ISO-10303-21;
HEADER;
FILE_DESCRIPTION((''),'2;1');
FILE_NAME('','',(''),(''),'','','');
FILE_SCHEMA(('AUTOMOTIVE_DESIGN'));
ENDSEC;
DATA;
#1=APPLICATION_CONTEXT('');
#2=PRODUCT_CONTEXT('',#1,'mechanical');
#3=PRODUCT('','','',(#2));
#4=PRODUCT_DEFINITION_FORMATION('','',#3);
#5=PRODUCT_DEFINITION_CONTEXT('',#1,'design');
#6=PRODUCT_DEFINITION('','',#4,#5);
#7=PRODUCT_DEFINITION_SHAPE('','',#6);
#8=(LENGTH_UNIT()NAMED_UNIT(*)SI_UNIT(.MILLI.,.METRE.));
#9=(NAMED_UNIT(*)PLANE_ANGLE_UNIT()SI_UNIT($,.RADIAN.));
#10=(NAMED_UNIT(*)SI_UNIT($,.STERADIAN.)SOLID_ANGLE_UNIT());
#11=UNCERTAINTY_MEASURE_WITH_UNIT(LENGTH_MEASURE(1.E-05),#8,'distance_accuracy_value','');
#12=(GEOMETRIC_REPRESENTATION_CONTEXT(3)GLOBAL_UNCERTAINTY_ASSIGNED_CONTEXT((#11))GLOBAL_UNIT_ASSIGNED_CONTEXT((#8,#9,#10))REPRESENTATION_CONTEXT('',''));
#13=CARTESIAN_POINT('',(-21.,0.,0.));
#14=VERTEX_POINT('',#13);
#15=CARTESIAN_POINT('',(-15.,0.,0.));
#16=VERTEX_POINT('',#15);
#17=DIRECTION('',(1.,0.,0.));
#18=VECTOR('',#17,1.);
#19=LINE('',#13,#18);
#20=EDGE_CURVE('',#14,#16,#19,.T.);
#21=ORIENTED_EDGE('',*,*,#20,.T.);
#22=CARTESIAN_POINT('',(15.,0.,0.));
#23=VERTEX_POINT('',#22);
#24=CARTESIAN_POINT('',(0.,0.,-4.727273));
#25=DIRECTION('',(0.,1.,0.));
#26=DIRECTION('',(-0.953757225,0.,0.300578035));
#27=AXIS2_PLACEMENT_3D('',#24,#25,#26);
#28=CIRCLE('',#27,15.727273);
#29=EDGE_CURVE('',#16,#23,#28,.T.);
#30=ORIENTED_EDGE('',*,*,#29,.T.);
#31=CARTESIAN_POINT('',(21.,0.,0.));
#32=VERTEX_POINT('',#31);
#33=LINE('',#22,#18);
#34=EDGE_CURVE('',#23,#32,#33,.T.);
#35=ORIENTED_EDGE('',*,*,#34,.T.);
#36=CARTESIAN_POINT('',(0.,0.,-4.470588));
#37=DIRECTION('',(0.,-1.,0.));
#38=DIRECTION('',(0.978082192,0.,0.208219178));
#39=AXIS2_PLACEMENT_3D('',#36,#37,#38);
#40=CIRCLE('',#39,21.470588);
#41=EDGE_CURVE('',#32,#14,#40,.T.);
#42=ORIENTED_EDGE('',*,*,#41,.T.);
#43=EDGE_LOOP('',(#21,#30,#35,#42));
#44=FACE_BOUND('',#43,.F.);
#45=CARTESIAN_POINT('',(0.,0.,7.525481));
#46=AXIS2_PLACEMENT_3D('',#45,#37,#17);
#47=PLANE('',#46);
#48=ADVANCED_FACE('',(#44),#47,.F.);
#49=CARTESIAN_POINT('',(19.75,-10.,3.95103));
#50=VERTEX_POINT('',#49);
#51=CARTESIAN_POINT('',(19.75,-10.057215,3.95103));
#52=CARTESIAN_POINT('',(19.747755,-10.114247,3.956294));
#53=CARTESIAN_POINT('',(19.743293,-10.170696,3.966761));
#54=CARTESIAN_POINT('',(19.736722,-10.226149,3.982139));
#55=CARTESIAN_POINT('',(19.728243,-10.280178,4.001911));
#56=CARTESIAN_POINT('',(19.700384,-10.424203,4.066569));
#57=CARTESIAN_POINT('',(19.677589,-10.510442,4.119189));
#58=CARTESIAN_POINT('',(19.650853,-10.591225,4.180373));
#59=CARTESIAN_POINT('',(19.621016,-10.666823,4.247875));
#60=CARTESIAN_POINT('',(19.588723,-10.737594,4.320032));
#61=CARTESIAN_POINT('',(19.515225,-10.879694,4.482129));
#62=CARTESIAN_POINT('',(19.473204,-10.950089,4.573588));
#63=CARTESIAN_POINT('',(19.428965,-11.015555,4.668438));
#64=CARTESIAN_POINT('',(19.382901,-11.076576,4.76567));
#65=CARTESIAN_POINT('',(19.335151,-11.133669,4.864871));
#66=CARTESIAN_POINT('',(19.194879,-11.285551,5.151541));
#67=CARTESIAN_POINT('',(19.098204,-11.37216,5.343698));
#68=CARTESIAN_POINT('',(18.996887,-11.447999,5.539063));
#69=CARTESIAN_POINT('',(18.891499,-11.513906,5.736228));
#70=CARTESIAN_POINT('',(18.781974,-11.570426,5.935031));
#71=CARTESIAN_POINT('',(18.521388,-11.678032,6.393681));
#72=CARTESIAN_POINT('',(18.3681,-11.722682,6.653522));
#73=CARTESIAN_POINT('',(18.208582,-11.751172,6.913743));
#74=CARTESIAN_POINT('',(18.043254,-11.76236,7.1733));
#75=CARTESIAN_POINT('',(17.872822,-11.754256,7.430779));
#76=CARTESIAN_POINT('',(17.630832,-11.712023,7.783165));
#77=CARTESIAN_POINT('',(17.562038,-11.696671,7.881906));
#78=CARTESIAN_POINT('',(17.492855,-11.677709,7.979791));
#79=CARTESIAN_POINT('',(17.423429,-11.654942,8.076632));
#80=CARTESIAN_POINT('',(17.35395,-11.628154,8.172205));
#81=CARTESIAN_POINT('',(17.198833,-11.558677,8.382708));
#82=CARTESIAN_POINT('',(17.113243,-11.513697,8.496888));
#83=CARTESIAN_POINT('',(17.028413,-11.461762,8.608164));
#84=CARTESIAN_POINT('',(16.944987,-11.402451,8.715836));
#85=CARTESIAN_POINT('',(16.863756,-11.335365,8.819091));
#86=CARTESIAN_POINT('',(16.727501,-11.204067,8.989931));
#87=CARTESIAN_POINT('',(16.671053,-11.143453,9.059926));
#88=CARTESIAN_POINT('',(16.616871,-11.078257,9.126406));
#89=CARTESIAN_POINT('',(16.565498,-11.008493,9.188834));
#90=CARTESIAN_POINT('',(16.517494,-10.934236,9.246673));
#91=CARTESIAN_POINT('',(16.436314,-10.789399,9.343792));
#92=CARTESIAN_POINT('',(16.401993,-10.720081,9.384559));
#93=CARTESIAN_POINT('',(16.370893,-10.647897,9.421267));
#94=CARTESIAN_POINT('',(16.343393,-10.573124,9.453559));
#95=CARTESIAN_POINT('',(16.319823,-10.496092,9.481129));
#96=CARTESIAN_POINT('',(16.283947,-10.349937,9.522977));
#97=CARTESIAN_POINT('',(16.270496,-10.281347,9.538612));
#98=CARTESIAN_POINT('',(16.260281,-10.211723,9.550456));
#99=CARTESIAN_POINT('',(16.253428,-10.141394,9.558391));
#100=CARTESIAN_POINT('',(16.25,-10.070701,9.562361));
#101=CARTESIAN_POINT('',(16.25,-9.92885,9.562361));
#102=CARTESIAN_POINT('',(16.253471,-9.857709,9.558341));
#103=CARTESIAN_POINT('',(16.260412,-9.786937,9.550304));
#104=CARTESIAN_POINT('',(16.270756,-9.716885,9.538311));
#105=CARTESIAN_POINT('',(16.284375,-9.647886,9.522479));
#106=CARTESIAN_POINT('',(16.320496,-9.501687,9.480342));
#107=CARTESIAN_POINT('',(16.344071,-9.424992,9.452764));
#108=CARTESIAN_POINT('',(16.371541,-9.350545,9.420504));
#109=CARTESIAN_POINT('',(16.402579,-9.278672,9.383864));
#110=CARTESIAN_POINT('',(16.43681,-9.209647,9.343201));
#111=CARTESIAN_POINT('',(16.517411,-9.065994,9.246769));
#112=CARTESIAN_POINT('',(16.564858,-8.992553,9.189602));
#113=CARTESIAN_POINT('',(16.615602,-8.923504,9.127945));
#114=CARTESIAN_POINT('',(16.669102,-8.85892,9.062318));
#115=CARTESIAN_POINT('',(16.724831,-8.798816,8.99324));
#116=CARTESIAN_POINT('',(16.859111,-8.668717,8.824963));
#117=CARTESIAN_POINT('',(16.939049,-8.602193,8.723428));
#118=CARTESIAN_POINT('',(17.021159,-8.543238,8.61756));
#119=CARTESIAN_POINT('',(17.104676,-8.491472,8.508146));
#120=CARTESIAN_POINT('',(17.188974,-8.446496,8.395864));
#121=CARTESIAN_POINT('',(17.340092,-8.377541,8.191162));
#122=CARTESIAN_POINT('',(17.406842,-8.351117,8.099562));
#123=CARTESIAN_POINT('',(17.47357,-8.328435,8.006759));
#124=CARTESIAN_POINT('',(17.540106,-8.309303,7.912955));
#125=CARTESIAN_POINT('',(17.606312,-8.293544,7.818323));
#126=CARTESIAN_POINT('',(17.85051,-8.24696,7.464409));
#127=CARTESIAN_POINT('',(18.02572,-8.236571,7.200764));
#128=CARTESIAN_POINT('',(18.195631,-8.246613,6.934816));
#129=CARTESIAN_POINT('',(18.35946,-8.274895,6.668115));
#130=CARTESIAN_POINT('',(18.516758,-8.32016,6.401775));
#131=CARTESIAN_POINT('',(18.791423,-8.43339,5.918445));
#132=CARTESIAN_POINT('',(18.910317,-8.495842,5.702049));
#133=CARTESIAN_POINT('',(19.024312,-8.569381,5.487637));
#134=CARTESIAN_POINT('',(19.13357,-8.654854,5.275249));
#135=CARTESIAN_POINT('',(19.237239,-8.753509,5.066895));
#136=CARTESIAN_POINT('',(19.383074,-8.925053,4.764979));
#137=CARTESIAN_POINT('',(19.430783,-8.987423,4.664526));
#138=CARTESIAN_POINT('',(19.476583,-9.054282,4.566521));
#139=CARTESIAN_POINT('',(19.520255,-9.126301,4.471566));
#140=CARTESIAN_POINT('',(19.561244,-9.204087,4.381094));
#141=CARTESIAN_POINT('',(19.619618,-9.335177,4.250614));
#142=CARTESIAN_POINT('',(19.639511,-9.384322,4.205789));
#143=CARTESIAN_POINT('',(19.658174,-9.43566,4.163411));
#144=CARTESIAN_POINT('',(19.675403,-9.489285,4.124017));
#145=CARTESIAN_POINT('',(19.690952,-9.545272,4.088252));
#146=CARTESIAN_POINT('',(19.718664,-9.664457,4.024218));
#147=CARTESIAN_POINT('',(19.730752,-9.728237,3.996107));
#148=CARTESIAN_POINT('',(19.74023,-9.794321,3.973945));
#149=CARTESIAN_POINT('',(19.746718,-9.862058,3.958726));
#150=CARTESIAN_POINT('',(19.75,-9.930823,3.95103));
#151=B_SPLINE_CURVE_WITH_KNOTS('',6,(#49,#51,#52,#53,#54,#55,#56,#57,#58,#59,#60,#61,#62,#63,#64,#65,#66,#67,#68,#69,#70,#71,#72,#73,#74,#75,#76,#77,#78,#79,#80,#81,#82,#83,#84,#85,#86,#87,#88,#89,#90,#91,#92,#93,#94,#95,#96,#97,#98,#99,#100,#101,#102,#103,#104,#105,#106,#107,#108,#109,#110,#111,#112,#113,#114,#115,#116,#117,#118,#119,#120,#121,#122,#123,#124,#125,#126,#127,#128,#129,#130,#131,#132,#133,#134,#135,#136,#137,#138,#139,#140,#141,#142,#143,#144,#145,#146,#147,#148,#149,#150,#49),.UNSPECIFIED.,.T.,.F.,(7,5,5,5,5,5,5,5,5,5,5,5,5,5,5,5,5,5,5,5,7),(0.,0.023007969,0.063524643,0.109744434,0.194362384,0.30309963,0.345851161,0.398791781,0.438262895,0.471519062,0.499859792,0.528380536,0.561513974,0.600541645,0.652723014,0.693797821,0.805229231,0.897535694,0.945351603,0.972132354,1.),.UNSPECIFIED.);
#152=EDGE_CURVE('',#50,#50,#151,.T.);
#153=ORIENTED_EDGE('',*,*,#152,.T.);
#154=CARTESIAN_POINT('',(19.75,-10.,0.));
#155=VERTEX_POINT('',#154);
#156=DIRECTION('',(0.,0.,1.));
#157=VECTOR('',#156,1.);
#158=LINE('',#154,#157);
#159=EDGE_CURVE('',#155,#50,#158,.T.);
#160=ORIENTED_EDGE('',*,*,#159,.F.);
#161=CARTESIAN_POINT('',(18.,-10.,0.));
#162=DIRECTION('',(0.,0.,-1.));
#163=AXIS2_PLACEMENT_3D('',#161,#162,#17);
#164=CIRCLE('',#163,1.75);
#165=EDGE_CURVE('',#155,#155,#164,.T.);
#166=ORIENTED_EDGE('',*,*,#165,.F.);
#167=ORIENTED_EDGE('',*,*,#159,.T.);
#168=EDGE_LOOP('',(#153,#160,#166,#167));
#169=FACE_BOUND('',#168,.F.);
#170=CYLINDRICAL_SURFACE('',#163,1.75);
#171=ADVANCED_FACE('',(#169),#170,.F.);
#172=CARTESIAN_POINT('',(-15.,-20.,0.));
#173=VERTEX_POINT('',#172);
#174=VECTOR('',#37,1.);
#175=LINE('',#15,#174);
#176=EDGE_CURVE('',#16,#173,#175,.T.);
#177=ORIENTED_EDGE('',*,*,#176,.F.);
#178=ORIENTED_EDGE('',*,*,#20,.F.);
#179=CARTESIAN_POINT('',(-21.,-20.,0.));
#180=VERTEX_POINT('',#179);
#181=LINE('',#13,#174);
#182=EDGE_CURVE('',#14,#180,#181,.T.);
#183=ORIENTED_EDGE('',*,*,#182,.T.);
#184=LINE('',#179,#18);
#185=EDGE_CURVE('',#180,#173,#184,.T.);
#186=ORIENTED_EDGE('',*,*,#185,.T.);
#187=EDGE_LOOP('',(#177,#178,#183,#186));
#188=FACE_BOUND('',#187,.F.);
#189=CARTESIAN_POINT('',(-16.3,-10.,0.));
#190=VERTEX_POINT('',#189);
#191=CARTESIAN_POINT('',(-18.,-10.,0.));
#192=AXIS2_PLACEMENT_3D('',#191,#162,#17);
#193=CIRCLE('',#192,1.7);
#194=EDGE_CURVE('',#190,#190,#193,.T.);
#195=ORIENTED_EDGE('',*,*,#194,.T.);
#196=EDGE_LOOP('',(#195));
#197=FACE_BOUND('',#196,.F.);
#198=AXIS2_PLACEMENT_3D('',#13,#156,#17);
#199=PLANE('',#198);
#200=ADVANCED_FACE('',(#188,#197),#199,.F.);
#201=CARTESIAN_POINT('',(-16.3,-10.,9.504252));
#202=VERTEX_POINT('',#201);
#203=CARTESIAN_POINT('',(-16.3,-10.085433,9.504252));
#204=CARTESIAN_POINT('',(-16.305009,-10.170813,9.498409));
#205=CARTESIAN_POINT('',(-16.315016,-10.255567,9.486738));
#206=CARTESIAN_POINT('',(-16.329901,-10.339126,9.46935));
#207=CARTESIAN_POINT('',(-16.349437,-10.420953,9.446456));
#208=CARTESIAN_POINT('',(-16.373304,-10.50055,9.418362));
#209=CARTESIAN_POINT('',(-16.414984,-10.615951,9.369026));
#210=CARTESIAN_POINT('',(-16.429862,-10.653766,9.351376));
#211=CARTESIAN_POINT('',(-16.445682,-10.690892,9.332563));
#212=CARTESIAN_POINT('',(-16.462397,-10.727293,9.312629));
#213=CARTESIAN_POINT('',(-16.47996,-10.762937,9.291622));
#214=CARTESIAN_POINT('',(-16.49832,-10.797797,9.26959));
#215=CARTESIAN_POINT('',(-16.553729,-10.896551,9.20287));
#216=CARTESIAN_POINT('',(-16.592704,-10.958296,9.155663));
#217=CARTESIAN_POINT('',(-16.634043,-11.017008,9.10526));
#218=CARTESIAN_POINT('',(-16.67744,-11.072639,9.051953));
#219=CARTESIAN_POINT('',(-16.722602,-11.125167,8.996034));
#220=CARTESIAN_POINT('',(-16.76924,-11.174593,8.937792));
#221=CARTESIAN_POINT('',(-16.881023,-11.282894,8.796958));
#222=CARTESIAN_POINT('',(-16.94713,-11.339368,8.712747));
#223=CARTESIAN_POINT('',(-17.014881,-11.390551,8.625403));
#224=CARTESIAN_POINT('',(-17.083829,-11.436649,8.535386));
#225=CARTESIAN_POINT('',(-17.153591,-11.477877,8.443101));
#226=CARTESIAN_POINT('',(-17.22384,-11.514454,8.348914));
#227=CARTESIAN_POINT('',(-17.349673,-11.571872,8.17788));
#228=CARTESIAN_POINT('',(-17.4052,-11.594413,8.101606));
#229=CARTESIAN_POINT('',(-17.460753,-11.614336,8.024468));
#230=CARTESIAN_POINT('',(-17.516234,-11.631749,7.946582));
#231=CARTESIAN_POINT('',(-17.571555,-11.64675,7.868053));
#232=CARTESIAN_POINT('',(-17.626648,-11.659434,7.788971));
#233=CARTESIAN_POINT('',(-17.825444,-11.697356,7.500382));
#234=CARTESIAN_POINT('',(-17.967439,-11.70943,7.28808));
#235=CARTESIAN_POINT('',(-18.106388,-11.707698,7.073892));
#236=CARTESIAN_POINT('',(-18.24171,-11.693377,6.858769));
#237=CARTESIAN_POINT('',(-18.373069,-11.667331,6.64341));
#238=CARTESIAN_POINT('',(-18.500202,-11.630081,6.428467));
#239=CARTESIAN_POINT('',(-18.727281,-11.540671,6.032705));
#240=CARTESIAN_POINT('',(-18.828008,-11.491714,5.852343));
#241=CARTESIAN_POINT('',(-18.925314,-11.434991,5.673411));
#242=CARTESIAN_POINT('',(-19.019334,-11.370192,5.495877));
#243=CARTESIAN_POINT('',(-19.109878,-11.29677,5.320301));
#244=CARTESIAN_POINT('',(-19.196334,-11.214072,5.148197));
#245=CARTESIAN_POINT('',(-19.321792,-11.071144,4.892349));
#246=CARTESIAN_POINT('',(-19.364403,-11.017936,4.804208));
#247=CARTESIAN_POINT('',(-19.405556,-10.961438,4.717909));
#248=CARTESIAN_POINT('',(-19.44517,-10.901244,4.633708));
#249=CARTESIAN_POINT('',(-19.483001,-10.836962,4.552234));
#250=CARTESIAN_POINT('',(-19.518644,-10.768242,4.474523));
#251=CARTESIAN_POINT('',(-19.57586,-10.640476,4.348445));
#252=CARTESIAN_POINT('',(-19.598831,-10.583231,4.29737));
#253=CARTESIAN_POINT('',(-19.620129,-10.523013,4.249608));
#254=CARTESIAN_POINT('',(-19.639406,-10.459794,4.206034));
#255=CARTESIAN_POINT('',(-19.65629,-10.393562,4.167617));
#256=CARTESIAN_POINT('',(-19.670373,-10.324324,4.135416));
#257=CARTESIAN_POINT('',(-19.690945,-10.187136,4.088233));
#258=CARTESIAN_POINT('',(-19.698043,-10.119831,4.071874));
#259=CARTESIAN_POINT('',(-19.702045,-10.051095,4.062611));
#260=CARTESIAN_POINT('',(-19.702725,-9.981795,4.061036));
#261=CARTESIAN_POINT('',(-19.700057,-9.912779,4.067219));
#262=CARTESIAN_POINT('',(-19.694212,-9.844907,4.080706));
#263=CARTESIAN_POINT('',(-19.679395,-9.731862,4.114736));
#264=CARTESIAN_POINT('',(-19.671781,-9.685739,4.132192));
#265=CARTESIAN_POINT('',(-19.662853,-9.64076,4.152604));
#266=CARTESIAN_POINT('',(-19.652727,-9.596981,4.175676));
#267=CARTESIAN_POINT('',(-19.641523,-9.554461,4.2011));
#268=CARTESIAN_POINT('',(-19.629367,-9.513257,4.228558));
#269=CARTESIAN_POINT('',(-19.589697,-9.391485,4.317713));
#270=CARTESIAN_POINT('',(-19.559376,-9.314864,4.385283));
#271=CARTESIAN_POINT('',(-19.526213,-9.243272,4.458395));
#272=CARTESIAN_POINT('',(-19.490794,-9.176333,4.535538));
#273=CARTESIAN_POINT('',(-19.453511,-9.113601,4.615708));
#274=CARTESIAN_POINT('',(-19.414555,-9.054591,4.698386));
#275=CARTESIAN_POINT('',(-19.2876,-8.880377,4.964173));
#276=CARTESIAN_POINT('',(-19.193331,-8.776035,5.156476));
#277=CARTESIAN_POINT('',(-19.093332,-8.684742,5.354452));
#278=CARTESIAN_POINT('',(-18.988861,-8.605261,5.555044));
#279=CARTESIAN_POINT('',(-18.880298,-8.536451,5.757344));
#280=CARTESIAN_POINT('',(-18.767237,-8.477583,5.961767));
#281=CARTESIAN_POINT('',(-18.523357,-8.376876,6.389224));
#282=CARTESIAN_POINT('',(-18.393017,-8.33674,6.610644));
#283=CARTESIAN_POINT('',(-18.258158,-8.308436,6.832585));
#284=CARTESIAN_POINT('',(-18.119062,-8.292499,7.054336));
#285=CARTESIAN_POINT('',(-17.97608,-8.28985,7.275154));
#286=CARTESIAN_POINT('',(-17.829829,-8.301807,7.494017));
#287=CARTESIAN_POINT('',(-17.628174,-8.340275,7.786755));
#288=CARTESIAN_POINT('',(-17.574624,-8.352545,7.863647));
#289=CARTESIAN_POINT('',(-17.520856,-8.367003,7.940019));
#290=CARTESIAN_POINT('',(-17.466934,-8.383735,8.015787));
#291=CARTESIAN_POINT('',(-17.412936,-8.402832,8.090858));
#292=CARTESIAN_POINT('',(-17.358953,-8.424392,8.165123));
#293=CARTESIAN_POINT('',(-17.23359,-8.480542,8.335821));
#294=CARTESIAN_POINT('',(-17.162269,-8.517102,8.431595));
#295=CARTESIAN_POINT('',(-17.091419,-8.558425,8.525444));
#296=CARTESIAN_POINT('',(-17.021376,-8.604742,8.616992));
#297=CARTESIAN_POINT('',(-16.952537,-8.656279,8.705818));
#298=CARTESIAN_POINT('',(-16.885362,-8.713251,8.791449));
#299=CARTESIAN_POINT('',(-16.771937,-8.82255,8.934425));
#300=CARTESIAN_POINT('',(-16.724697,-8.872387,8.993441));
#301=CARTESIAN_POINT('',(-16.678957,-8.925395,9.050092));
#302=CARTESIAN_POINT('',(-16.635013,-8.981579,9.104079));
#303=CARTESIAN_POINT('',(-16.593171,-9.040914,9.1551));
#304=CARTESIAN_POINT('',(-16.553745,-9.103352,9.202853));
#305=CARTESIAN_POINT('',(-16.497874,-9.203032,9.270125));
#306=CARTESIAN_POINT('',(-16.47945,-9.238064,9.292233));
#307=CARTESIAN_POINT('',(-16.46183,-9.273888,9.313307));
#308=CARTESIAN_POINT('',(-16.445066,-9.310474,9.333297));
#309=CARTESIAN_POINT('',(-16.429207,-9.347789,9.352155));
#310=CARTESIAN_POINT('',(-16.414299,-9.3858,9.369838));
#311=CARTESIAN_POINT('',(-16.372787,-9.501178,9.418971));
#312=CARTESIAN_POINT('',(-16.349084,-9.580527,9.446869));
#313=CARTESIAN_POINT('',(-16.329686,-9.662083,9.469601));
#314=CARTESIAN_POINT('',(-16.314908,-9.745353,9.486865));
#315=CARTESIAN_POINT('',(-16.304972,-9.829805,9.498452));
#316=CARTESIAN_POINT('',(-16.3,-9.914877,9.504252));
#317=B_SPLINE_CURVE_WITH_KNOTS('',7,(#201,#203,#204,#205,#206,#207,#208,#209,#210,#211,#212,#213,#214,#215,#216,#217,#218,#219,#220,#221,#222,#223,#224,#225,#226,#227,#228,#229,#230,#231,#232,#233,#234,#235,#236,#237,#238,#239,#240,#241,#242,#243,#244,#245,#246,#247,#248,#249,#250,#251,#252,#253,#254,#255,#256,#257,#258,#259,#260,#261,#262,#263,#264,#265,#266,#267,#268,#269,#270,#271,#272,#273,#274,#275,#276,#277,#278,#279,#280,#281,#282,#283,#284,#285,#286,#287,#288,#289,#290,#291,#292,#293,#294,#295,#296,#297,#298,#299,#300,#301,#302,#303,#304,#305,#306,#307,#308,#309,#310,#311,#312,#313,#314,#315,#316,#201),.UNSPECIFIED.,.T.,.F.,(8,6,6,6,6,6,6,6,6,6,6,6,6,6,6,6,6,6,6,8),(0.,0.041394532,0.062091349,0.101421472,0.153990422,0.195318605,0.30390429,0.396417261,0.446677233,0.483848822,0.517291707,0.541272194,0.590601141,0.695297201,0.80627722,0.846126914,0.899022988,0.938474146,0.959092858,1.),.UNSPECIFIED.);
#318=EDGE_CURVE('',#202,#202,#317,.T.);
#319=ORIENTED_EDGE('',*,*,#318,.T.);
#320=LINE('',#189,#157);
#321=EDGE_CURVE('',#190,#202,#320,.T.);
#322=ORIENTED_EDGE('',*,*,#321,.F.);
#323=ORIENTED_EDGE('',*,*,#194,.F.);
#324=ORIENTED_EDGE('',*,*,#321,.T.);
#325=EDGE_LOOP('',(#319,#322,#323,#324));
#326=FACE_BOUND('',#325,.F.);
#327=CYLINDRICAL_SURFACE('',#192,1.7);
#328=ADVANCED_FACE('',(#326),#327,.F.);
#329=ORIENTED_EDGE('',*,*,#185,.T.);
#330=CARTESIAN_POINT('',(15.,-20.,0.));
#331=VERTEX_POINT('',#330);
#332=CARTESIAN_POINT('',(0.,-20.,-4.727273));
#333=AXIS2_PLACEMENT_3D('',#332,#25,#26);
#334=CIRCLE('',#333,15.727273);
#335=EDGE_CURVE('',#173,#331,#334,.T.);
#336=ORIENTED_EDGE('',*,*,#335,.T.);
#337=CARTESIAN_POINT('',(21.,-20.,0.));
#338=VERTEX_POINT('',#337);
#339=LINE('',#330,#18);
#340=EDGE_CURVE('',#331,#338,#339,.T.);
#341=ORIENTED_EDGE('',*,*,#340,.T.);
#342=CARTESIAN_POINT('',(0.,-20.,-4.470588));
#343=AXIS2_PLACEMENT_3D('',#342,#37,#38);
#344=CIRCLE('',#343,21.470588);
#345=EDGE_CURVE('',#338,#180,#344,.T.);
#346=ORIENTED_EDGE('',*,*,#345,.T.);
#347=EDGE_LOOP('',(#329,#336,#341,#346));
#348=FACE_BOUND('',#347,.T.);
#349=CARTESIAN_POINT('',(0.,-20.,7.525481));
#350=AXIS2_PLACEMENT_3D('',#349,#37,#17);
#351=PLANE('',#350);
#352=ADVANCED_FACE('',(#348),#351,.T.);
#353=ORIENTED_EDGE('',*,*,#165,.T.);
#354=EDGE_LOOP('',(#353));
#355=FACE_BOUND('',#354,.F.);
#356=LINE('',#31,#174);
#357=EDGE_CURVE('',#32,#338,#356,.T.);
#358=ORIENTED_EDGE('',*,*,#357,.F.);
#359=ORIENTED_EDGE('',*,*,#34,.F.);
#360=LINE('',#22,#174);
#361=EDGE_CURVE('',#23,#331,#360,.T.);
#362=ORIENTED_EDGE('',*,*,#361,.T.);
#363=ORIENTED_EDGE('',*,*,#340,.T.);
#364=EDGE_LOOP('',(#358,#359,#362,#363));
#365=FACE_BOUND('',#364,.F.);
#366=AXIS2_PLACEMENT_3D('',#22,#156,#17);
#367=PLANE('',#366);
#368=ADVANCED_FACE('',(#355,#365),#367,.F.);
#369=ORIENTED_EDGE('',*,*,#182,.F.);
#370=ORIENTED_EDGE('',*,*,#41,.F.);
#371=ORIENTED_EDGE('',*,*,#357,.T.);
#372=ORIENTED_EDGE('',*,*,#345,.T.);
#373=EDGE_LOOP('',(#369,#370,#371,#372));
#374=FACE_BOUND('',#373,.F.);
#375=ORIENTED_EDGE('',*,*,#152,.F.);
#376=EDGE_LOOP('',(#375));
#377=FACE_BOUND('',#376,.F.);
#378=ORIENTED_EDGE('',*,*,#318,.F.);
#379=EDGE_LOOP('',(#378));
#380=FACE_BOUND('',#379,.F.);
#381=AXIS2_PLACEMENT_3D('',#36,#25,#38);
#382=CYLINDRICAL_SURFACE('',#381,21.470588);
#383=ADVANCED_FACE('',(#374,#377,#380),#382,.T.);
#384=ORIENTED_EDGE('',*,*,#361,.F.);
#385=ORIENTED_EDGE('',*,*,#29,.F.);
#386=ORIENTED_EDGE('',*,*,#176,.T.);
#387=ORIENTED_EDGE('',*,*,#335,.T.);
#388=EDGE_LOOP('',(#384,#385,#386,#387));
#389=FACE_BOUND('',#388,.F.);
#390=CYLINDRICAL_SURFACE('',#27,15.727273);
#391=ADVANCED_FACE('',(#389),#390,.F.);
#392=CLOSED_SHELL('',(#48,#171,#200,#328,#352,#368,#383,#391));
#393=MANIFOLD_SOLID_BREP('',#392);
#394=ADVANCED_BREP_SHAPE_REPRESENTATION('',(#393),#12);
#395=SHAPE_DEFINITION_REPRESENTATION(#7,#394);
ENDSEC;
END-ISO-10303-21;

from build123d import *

# Parameters (mm, degrees)
F1_DEPTH = 20
F2_R     = 1.7
F3_R     = 1.75
F4_DEPTH = 17.001


with BuildPart() as f1:
    # F0 (on Front) → F1 (new body)
    with BuildSketch(Plane.XZ):
        with BuildLine():
            ThreePointArc((-15, 0), (0, 11), (15, 0))
            Line((15, 0), (21, 0))
            ThreePointArc((21, 0), (0, 17), (-21, 0))
            Line((-21, 0), (-15, 0))
        make_face()
    extrude(amount=F1_DEPTH)

    # F2 (on face) + F3 (on face) → F4 (cut, through all)
    with BuildSketch(Plane(origin=(0, 0, 0), x_dir=(1, 0, 0), z_dir=(0, 0, -1))):
        with Locations((-18, 10)):
            Circle(F2_R)
    with BuildSketch(Plane(origin=(0, 0, 0), x_dir=(1, 0, 0), z_dir=(0, 0, -1))):
        with Locations((18, 10)):
            Circle(F3_R)
    extrude(amount=-F4_DEPTH, mode=Mode.SUBTRACT)


solid = f1.part
